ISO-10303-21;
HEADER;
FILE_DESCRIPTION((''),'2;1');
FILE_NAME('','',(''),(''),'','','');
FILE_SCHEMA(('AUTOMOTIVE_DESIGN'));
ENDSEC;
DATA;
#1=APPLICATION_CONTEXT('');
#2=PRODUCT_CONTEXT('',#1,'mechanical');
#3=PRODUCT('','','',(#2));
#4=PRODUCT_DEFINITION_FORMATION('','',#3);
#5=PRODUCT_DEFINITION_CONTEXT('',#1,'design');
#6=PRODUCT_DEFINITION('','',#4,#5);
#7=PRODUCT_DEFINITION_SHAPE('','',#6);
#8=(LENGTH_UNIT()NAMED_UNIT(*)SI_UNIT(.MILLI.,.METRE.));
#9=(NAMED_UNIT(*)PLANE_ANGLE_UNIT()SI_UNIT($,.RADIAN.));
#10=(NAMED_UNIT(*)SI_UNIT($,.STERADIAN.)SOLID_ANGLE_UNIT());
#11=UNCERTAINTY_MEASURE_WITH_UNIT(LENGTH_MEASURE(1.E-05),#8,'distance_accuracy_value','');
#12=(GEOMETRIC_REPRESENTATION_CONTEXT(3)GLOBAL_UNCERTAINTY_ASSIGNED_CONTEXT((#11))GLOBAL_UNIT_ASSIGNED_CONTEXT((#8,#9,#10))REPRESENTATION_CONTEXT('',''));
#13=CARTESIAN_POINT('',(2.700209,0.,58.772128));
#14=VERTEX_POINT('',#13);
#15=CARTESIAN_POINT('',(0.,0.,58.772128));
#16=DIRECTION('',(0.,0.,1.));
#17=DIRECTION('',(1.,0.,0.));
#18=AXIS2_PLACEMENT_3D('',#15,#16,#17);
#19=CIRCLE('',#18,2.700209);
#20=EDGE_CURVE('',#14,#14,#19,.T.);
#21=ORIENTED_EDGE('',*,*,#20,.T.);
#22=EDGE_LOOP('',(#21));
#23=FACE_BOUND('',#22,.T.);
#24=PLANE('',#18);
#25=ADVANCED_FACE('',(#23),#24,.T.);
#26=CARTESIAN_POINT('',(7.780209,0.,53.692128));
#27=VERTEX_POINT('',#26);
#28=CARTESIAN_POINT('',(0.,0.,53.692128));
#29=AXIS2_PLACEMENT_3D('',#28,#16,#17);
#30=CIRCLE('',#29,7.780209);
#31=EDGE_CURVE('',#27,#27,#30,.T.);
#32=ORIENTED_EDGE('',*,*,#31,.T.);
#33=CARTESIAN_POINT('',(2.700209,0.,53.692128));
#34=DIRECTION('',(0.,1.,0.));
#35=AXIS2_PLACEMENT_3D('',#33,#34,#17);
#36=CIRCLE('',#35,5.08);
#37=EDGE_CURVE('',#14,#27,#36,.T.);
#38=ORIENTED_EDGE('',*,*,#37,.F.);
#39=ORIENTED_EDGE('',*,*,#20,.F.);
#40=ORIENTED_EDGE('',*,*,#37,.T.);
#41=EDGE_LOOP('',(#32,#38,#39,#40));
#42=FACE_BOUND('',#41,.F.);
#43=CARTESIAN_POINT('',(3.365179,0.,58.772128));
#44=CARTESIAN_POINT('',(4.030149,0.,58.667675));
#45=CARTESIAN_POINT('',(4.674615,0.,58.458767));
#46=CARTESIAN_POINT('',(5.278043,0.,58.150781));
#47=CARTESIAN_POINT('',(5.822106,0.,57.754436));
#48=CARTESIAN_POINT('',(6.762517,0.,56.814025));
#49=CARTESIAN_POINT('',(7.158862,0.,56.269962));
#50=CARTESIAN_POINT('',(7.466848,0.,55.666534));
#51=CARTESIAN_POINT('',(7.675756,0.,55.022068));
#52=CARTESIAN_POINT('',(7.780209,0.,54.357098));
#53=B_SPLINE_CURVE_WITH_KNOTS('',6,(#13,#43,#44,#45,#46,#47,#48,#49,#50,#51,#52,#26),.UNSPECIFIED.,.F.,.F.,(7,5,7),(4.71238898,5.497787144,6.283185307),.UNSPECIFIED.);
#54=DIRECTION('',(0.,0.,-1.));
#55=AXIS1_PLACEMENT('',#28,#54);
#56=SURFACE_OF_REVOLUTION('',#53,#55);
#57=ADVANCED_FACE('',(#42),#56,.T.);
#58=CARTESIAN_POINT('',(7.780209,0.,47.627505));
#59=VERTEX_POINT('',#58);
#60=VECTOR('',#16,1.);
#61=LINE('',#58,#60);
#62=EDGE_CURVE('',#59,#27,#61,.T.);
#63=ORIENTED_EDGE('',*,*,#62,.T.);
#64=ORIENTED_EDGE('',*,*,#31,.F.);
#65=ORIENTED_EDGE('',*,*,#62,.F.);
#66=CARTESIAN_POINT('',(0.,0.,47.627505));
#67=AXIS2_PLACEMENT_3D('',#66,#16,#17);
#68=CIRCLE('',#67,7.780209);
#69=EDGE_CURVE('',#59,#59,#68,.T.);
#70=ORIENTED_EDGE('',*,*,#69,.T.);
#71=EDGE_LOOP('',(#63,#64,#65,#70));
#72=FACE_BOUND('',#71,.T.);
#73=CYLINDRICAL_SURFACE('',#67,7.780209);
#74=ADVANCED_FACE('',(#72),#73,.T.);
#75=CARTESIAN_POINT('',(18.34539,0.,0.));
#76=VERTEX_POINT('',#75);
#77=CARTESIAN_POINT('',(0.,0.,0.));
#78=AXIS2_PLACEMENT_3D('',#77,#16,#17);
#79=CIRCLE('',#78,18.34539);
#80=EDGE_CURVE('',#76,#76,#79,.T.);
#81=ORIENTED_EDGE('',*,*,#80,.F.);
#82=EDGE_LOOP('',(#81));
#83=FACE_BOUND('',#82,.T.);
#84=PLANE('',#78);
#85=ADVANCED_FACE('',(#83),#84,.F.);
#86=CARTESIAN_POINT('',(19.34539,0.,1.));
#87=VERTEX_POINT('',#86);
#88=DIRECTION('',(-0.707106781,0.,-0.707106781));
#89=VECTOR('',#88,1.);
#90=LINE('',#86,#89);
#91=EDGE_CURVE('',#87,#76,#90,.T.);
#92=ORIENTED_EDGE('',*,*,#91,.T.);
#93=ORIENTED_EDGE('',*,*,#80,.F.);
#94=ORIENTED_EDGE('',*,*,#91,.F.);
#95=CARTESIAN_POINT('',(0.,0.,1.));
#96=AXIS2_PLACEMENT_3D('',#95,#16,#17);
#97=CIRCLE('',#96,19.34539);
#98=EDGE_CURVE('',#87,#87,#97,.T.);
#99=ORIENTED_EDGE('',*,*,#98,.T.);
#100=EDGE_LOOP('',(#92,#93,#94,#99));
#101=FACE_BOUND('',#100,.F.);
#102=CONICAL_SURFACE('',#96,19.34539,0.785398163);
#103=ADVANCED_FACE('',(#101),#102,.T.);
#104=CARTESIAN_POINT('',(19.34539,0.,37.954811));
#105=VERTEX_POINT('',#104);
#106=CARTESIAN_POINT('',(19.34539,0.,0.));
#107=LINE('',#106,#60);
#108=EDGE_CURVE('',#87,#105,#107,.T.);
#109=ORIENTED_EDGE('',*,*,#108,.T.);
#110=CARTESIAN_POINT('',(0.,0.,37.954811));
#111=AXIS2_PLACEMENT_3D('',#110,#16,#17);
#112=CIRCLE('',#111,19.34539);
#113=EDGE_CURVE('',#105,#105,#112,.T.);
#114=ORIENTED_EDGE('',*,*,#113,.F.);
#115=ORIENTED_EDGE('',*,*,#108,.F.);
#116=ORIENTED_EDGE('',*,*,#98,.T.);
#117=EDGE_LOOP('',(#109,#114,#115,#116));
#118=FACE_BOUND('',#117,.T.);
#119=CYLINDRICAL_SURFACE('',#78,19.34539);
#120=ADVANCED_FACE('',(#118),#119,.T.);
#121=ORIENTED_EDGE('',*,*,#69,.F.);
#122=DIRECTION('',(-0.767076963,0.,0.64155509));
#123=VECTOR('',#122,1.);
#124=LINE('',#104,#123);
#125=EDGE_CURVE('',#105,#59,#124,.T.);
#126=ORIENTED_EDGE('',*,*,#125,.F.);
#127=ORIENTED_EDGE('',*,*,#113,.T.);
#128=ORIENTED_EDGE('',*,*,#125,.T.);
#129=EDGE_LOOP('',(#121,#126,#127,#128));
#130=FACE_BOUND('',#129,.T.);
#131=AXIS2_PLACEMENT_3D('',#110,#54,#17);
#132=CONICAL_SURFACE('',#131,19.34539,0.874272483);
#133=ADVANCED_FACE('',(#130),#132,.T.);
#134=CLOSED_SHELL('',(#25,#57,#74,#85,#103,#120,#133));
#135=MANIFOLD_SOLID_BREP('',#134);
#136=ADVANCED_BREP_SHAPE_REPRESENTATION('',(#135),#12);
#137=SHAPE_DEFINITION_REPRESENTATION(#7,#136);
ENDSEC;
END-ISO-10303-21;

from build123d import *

# Parameters (mm, degrees)
F2_R    = 5.08
F3_SIZE = 1


with BuildPart() as f1:
    # F0 (on Front) → F1 (revolve)
    with BuildSketch(Plane.XZ):
        Polygon((7.780209, 58.772128), (0, 58.772128), (0, 0), (19.34539, 0), (19.34539, 37.954811), (7.780209, 47.627505), align=None)
    revolve(axis=Axis((0, 0, 29.386064), (0, 0, 1)))

    # F2
    f2_edges = [f1.edges().sort_by_distance(p)[0] for p in [
        (-7.780209, 0, 58.772128),
    ]]
    fillet(f2_edges, radius=F2_R)

    # F3
    f3_edges = [f1.edges().sort_by_distance(p)[0] for p in [
        (-19.34539, 0, 0),
    ]]
    chamfer(f3_edges, length=F3_SIZE)


solid = f1.part
